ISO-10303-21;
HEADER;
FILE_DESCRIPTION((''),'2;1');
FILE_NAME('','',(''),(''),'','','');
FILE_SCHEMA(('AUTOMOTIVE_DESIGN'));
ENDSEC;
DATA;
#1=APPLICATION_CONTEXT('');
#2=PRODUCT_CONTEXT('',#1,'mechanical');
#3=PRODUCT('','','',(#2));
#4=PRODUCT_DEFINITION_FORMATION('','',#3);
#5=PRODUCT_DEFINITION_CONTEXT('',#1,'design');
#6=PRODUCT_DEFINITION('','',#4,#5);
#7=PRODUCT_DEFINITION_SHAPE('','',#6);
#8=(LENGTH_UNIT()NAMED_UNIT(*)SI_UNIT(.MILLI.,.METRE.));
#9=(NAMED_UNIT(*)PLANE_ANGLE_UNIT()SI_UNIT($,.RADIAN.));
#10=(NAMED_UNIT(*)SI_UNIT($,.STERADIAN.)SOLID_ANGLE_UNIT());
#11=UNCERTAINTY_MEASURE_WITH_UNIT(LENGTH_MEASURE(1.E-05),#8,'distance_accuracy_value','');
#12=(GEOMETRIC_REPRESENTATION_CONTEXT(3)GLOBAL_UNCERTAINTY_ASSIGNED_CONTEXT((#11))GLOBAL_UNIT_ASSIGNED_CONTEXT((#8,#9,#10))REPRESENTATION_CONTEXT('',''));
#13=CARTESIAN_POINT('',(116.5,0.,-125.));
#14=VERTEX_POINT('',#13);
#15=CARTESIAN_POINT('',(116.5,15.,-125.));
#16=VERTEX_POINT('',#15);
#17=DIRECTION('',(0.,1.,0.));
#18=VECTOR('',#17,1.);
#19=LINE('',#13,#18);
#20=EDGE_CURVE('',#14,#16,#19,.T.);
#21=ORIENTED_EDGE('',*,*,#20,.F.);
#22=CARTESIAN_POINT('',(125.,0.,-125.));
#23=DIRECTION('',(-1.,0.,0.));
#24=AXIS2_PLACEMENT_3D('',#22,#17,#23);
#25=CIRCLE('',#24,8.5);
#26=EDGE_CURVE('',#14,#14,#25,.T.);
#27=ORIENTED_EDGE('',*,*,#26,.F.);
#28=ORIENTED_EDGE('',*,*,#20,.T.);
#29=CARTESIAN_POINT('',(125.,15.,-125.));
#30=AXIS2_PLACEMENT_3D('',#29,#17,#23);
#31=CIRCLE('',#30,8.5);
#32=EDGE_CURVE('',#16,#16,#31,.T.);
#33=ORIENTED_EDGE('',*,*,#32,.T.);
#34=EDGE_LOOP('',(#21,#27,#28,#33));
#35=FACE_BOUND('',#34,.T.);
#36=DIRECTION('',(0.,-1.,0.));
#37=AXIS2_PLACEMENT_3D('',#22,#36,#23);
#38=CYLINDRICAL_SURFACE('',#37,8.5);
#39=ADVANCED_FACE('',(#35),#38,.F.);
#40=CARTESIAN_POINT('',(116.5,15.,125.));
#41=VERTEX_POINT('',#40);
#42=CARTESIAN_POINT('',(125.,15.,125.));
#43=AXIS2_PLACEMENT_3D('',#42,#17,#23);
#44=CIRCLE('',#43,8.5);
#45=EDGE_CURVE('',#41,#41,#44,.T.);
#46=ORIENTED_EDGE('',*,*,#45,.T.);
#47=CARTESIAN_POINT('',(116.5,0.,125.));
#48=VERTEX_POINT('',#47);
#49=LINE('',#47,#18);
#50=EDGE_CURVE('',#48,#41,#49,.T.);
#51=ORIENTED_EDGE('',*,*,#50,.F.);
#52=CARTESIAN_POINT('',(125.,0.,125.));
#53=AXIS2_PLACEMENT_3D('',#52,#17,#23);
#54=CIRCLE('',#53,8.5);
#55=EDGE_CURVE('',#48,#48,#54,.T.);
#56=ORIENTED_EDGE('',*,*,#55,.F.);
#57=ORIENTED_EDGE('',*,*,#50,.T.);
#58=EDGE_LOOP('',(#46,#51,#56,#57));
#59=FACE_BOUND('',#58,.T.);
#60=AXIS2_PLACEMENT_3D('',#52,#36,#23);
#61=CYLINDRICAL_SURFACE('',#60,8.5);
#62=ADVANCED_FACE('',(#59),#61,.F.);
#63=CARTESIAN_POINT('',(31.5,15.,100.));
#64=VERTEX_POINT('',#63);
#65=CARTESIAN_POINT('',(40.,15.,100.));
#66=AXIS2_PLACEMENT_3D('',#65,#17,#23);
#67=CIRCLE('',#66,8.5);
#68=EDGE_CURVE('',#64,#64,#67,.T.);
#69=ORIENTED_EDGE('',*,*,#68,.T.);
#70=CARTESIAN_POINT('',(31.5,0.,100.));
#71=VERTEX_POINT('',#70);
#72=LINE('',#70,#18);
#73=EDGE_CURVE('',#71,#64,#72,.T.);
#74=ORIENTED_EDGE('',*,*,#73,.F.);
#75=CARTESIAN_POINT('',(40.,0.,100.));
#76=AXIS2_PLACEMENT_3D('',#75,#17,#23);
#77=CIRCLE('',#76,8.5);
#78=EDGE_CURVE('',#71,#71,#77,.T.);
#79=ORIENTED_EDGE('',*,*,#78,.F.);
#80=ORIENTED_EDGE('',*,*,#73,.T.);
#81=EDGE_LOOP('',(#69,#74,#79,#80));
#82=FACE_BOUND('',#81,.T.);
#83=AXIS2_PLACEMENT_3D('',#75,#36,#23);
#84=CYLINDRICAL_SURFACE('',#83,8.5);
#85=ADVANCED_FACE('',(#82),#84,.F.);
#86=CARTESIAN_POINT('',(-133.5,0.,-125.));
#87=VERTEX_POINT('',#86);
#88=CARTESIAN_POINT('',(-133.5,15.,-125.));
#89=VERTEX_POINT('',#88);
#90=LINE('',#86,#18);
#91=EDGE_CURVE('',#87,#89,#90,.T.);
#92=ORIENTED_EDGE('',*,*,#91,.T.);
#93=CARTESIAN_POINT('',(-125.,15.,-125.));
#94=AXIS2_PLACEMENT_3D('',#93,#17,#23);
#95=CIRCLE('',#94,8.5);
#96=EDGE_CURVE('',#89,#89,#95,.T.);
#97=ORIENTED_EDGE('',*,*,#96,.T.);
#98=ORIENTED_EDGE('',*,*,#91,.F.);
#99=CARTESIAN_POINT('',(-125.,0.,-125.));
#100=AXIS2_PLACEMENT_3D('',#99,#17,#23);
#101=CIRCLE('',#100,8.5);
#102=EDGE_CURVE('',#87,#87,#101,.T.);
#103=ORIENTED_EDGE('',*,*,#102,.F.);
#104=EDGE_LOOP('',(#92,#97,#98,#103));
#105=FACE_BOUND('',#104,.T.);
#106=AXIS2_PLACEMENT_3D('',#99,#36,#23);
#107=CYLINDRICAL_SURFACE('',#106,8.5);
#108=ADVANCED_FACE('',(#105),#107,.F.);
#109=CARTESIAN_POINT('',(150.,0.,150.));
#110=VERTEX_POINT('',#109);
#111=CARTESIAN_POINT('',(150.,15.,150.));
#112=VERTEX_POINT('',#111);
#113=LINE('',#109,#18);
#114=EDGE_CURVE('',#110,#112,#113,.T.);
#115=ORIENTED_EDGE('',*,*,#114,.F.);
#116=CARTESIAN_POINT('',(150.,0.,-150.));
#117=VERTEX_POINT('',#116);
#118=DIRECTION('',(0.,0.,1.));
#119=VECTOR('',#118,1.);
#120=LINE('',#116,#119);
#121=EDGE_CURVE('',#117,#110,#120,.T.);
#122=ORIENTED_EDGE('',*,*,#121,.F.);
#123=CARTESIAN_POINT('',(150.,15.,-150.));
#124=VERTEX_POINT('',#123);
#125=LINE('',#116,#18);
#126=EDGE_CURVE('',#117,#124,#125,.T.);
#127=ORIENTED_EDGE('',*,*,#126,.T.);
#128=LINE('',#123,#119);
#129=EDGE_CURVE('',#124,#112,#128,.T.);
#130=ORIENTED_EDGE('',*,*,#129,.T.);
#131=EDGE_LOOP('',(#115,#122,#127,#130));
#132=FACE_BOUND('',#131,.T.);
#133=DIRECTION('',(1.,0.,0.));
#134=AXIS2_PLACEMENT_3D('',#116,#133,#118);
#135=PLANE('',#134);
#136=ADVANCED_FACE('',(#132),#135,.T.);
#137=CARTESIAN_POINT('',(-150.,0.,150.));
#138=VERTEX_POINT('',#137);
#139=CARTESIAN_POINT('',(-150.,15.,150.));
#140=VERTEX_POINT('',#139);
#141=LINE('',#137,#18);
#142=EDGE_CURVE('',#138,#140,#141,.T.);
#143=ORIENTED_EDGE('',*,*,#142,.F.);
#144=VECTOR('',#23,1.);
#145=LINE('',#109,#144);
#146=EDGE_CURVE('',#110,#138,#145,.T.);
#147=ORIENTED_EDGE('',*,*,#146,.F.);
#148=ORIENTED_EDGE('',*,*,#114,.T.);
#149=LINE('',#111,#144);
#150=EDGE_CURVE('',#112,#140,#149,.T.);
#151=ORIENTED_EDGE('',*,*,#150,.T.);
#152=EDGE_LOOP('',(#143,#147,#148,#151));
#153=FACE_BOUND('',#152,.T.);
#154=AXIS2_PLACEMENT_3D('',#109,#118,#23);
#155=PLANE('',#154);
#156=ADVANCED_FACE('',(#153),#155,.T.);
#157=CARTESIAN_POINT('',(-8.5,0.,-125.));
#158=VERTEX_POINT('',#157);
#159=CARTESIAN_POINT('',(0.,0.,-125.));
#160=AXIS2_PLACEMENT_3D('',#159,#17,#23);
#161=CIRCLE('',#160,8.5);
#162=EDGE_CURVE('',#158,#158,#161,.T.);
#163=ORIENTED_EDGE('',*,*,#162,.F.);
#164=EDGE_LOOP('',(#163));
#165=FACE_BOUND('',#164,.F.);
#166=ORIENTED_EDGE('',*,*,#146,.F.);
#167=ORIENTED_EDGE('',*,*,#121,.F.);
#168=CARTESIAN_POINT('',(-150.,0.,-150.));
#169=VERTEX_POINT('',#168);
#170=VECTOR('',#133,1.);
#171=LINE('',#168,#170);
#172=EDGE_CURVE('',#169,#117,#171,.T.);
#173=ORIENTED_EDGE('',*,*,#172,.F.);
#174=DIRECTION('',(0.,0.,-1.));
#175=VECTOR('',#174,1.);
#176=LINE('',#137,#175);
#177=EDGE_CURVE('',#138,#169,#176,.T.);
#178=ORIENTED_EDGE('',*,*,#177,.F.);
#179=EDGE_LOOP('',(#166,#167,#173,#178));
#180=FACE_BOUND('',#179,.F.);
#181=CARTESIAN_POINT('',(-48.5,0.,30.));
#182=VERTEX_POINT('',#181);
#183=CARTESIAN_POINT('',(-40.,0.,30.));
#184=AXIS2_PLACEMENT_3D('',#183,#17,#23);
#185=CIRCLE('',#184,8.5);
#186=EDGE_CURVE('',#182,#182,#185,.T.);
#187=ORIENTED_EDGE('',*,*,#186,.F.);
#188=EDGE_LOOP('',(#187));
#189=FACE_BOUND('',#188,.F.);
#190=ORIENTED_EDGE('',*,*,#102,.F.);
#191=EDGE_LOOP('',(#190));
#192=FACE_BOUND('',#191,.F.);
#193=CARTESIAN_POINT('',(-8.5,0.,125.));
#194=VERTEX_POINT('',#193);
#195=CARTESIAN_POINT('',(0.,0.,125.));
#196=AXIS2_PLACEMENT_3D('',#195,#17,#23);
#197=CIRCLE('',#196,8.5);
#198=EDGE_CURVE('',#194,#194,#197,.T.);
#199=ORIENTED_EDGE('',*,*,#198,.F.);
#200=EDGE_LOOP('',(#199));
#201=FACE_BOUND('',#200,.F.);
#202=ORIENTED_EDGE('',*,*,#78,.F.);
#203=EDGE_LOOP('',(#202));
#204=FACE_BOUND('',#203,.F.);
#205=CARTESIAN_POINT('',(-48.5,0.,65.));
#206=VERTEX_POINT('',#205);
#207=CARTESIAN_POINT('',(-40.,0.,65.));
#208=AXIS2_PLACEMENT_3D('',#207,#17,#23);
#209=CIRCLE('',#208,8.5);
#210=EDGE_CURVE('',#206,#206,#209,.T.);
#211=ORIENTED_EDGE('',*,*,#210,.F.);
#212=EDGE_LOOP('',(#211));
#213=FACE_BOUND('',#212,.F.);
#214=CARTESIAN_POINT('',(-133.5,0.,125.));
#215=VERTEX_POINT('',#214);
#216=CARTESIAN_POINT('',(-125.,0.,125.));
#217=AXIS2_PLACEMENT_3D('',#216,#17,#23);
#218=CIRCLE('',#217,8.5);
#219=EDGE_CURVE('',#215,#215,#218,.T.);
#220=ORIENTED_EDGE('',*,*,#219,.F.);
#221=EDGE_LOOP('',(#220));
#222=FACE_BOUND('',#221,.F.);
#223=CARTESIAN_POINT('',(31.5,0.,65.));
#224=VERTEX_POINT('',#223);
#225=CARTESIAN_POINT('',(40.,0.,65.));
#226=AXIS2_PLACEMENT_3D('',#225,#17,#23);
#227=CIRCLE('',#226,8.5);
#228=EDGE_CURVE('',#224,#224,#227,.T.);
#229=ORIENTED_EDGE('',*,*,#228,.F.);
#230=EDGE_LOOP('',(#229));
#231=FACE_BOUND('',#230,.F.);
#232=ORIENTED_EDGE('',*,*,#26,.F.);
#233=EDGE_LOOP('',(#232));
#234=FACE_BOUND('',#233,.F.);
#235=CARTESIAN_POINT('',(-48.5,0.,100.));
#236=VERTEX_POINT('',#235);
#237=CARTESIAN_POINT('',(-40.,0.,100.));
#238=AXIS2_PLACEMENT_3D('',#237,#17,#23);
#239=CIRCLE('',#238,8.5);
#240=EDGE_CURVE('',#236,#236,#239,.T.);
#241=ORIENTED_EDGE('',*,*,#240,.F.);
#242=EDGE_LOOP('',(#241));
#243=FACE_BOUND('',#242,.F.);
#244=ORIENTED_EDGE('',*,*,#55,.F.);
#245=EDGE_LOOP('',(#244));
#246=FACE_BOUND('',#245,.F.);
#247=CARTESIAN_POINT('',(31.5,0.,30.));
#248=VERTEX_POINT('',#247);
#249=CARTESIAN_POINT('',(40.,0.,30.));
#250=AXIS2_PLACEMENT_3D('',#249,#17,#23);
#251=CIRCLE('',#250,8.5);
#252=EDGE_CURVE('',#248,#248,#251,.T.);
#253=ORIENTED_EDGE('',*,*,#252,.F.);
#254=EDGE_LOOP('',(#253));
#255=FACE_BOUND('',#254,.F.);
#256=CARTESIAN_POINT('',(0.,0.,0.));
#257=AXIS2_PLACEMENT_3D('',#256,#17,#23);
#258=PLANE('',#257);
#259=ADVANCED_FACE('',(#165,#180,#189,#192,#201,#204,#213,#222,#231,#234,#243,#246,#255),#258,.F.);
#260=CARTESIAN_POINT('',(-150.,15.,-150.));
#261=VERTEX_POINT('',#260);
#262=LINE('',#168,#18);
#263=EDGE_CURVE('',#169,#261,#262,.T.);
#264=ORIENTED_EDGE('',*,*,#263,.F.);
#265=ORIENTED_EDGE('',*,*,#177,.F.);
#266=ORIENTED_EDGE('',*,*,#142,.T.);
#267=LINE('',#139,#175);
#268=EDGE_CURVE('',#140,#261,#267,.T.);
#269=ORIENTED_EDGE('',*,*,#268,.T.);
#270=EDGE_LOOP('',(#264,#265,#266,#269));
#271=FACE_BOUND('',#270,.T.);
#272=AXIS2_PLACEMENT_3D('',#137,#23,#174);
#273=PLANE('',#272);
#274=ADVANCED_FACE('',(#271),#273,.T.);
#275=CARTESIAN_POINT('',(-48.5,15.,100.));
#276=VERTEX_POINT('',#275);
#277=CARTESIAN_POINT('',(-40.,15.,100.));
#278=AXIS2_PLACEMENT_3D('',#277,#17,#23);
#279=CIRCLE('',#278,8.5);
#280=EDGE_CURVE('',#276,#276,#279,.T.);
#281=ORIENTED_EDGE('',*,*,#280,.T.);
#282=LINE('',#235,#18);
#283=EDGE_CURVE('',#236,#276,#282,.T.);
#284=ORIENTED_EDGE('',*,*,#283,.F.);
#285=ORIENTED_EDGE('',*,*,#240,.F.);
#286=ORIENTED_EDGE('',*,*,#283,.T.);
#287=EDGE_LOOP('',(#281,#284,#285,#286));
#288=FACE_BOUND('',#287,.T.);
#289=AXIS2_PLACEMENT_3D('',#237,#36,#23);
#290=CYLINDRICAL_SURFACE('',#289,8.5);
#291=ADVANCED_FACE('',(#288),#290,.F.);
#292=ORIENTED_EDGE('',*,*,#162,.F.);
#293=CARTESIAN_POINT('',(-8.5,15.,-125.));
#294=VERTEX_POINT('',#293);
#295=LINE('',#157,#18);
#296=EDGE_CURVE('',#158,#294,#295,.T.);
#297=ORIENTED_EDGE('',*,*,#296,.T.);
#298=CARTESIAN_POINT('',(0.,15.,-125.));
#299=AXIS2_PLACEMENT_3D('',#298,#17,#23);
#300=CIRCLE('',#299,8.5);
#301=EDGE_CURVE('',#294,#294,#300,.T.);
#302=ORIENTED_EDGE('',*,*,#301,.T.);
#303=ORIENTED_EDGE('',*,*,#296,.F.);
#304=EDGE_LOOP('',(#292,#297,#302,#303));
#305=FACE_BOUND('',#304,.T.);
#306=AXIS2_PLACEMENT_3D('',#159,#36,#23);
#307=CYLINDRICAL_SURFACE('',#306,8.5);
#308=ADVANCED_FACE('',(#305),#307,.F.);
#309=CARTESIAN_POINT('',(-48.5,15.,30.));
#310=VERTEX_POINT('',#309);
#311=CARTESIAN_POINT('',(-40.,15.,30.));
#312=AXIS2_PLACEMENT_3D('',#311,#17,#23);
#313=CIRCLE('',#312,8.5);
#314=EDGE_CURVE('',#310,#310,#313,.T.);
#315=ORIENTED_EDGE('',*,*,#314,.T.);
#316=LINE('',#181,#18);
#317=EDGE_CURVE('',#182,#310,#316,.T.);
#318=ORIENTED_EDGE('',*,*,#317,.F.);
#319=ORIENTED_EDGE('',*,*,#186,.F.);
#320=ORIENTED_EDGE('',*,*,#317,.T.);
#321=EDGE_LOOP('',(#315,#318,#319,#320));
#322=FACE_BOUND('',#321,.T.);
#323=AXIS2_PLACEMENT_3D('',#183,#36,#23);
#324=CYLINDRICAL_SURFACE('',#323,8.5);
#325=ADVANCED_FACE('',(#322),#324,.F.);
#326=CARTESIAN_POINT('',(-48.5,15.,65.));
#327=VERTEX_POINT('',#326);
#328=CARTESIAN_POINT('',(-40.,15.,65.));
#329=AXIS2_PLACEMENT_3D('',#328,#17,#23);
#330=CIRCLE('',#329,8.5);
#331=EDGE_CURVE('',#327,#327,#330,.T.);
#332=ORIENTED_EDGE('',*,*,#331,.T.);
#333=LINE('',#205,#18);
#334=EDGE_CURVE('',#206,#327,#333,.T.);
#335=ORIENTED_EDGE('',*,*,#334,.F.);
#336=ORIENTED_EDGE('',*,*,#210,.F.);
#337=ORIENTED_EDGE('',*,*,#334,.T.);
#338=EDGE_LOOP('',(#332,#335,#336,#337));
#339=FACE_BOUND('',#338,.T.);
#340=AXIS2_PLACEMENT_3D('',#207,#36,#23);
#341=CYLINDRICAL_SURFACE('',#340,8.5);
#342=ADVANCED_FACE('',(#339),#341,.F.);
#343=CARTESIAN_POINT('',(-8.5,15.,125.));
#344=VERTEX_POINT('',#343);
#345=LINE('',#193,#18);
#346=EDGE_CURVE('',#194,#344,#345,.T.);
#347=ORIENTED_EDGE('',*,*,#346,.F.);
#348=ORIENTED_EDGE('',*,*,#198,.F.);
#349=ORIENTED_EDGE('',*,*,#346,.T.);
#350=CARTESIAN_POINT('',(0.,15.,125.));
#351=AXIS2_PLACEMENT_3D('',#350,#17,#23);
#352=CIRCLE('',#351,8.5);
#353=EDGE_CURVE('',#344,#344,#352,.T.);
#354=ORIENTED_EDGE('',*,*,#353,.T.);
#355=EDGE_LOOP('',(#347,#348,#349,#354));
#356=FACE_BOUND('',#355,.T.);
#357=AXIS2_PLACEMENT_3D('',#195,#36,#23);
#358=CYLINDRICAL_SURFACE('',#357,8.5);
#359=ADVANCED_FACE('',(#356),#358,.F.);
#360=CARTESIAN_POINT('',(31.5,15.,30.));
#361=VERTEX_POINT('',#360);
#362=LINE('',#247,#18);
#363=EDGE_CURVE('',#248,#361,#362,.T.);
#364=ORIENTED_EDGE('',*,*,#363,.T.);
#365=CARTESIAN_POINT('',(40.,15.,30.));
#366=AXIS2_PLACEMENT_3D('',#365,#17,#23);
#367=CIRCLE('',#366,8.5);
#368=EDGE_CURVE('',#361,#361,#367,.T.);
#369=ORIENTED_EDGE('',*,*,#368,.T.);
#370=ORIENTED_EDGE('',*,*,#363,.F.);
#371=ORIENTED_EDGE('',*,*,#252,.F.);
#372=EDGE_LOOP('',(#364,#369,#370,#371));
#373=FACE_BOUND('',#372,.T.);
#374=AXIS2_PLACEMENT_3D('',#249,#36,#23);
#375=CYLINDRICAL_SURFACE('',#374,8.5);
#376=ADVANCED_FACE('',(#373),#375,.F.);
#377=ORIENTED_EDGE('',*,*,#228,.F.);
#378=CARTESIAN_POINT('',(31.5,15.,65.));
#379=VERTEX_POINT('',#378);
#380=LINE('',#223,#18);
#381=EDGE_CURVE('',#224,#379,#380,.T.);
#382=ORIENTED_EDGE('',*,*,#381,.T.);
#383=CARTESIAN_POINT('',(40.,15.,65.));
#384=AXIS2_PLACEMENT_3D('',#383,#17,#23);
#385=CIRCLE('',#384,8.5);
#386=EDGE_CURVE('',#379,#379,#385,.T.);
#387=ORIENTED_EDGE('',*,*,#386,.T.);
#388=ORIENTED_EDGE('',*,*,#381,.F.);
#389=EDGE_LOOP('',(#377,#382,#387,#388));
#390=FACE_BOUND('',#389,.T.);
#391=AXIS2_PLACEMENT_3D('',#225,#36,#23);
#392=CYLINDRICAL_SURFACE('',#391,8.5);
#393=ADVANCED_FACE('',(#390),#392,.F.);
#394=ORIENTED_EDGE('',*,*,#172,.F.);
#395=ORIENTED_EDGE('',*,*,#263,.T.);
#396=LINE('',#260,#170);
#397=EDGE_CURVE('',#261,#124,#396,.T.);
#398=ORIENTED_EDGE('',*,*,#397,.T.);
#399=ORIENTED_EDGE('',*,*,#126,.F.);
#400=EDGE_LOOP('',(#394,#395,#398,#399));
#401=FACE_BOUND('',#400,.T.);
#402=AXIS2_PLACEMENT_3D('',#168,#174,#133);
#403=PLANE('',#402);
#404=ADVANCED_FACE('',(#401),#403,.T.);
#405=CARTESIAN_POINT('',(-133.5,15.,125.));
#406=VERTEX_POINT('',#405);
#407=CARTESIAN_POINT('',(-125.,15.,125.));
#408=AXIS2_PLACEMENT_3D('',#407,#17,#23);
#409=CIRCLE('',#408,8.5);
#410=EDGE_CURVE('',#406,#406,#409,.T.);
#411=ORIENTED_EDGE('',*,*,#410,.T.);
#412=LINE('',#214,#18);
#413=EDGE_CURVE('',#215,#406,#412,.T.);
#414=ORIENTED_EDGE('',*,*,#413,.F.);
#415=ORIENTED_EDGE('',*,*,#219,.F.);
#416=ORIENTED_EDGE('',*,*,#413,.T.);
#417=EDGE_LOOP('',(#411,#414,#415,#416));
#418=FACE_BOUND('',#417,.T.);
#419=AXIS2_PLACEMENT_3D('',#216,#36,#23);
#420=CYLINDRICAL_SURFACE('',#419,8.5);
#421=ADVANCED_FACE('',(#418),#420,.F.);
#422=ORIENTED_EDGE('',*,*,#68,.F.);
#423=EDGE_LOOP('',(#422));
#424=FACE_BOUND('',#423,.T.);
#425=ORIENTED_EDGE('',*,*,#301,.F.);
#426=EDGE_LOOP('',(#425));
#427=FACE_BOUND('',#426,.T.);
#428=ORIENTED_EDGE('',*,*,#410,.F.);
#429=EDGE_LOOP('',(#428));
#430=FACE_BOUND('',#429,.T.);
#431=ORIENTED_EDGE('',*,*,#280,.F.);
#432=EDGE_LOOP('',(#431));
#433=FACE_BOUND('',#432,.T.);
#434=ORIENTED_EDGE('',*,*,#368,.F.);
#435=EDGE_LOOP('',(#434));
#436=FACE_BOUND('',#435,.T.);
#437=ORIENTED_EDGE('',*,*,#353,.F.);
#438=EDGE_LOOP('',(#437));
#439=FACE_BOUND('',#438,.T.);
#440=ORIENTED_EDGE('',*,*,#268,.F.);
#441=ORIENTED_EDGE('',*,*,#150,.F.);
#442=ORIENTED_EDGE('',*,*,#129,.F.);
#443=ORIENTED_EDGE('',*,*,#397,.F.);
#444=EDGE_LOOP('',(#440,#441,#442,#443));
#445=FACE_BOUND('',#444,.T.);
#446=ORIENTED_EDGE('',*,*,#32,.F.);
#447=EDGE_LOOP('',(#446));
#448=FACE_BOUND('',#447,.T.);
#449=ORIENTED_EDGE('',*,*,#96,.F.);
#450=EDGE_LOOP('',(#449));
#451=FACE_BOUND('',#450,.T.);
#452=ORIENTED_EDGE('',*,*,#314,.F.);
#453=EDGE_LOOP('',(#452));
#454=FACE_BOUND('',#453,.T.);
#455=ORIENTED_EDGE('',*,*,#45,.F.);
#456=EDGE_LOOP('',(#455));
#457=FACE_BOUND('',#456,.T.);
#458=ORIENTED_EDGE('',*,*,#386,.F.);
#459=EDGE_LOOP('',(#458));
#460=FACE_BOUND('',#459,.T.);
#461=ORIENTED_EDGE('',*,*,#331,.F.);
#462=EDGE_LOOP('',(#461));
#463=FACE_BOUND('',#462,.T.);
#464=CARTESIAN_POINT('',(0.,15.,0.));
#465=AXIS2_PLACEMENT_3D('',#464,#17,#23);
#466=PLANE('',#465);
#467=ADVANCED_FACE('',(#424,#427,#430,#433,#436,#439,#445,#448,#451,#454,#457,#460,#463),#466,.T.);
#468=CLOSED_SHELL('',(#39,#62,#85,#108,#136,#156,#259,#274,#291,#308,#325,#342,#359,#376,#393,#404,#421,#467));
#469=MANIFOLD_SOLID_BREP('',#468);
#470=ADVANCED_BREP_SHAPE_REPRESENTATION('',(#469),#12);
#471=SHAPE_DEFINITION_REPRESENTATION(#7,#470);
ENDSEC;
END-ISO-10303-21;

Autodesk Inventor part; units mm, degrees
ref_plane "YZ Plane" through (0, 0, 0) normal (1, 0, 0) x (0, 1, 0)
ref_plane "XZ Plane" through (0, 0, 0) normal (0, 1, 0) x (-1, 0, 0)
ref_plane "XY Plane" through (0, 0, 0) normal (0, 0, 1) x (1, 0, 0)
sketch "Эскиз1" plane through (0, 0, 0) normal (0, 1, 0) x (-1, 0, 0)
  line L0 (-150, 150) -> (150, 150)
  line L1 (150, 150) -> (150, -150)
  line L2 (150, -150) -> (-150, -150)
  line L3 (-150, -150) -> (-150, 150)
  line L4 (-150, 150) -> (150, -150) construction
  line L5 (150, 150) -> (-150, -150) construction
  circle A0 centre (125, -125) radius 8.5
  circle A1 centre (0, -125) radius 8.5
  circle A2 centre (-125, -125) radius 8.5
  circle A3 centre (125, 125) radius 8.5
  circle A4 centre (0, 125) radius 8.5
  circle A5 centre (40, 100) radius 8.5
  circle A6 centre (40, 65) radius 8.5
  circle A7 centre (40, 30) radius 8.5
  circle A8 centre (-40, 30) radius 8.5
  circle A9 centre (-40, 65) radius 8.5
  circle A10 centre (-40, 100) radius 8.5
  circle A11 centre (-125, -125) radius 8.5
  circle A12 centre (-125, 125) radius 8.5
  point P0 (0, 0)
  point P1 (0, 0)
  point P2 (0, 0)
  dimension "d0" = 300
  dimension "d1" = 300
  dimension "d2" = 17
  dimension "d3" = 50
  dimension "d4" = 85
  dimension "d5" = 120
  dimension "d6" = 80
  dimension "d7" = 40
  dimension "d8" = 25
  dimension "d9" = 25
  dimension "d10" = 25
  dimension "d11" = 25
extrude "Пластина1" add sketch "Эскиз1" along normal blind 15
equation "\"d12\" = Толщина"
equation "\"Радиус_гибки\" = Толщина"
equation "\"Ширина_просечки\" = Толщина"
equation "\"Глубина_просечки\" = 0.5 * Толщина"
equation "\"Радиус_перехода\" = Радиус_гибки"
equation "\"Радиус_Якоби\" = Радиус_гибки"
equation "\"Размер_зазора\" = Толщина"
equation "\"Толщина\" = 15"
properties part number "Lift.00.00.00.01"
